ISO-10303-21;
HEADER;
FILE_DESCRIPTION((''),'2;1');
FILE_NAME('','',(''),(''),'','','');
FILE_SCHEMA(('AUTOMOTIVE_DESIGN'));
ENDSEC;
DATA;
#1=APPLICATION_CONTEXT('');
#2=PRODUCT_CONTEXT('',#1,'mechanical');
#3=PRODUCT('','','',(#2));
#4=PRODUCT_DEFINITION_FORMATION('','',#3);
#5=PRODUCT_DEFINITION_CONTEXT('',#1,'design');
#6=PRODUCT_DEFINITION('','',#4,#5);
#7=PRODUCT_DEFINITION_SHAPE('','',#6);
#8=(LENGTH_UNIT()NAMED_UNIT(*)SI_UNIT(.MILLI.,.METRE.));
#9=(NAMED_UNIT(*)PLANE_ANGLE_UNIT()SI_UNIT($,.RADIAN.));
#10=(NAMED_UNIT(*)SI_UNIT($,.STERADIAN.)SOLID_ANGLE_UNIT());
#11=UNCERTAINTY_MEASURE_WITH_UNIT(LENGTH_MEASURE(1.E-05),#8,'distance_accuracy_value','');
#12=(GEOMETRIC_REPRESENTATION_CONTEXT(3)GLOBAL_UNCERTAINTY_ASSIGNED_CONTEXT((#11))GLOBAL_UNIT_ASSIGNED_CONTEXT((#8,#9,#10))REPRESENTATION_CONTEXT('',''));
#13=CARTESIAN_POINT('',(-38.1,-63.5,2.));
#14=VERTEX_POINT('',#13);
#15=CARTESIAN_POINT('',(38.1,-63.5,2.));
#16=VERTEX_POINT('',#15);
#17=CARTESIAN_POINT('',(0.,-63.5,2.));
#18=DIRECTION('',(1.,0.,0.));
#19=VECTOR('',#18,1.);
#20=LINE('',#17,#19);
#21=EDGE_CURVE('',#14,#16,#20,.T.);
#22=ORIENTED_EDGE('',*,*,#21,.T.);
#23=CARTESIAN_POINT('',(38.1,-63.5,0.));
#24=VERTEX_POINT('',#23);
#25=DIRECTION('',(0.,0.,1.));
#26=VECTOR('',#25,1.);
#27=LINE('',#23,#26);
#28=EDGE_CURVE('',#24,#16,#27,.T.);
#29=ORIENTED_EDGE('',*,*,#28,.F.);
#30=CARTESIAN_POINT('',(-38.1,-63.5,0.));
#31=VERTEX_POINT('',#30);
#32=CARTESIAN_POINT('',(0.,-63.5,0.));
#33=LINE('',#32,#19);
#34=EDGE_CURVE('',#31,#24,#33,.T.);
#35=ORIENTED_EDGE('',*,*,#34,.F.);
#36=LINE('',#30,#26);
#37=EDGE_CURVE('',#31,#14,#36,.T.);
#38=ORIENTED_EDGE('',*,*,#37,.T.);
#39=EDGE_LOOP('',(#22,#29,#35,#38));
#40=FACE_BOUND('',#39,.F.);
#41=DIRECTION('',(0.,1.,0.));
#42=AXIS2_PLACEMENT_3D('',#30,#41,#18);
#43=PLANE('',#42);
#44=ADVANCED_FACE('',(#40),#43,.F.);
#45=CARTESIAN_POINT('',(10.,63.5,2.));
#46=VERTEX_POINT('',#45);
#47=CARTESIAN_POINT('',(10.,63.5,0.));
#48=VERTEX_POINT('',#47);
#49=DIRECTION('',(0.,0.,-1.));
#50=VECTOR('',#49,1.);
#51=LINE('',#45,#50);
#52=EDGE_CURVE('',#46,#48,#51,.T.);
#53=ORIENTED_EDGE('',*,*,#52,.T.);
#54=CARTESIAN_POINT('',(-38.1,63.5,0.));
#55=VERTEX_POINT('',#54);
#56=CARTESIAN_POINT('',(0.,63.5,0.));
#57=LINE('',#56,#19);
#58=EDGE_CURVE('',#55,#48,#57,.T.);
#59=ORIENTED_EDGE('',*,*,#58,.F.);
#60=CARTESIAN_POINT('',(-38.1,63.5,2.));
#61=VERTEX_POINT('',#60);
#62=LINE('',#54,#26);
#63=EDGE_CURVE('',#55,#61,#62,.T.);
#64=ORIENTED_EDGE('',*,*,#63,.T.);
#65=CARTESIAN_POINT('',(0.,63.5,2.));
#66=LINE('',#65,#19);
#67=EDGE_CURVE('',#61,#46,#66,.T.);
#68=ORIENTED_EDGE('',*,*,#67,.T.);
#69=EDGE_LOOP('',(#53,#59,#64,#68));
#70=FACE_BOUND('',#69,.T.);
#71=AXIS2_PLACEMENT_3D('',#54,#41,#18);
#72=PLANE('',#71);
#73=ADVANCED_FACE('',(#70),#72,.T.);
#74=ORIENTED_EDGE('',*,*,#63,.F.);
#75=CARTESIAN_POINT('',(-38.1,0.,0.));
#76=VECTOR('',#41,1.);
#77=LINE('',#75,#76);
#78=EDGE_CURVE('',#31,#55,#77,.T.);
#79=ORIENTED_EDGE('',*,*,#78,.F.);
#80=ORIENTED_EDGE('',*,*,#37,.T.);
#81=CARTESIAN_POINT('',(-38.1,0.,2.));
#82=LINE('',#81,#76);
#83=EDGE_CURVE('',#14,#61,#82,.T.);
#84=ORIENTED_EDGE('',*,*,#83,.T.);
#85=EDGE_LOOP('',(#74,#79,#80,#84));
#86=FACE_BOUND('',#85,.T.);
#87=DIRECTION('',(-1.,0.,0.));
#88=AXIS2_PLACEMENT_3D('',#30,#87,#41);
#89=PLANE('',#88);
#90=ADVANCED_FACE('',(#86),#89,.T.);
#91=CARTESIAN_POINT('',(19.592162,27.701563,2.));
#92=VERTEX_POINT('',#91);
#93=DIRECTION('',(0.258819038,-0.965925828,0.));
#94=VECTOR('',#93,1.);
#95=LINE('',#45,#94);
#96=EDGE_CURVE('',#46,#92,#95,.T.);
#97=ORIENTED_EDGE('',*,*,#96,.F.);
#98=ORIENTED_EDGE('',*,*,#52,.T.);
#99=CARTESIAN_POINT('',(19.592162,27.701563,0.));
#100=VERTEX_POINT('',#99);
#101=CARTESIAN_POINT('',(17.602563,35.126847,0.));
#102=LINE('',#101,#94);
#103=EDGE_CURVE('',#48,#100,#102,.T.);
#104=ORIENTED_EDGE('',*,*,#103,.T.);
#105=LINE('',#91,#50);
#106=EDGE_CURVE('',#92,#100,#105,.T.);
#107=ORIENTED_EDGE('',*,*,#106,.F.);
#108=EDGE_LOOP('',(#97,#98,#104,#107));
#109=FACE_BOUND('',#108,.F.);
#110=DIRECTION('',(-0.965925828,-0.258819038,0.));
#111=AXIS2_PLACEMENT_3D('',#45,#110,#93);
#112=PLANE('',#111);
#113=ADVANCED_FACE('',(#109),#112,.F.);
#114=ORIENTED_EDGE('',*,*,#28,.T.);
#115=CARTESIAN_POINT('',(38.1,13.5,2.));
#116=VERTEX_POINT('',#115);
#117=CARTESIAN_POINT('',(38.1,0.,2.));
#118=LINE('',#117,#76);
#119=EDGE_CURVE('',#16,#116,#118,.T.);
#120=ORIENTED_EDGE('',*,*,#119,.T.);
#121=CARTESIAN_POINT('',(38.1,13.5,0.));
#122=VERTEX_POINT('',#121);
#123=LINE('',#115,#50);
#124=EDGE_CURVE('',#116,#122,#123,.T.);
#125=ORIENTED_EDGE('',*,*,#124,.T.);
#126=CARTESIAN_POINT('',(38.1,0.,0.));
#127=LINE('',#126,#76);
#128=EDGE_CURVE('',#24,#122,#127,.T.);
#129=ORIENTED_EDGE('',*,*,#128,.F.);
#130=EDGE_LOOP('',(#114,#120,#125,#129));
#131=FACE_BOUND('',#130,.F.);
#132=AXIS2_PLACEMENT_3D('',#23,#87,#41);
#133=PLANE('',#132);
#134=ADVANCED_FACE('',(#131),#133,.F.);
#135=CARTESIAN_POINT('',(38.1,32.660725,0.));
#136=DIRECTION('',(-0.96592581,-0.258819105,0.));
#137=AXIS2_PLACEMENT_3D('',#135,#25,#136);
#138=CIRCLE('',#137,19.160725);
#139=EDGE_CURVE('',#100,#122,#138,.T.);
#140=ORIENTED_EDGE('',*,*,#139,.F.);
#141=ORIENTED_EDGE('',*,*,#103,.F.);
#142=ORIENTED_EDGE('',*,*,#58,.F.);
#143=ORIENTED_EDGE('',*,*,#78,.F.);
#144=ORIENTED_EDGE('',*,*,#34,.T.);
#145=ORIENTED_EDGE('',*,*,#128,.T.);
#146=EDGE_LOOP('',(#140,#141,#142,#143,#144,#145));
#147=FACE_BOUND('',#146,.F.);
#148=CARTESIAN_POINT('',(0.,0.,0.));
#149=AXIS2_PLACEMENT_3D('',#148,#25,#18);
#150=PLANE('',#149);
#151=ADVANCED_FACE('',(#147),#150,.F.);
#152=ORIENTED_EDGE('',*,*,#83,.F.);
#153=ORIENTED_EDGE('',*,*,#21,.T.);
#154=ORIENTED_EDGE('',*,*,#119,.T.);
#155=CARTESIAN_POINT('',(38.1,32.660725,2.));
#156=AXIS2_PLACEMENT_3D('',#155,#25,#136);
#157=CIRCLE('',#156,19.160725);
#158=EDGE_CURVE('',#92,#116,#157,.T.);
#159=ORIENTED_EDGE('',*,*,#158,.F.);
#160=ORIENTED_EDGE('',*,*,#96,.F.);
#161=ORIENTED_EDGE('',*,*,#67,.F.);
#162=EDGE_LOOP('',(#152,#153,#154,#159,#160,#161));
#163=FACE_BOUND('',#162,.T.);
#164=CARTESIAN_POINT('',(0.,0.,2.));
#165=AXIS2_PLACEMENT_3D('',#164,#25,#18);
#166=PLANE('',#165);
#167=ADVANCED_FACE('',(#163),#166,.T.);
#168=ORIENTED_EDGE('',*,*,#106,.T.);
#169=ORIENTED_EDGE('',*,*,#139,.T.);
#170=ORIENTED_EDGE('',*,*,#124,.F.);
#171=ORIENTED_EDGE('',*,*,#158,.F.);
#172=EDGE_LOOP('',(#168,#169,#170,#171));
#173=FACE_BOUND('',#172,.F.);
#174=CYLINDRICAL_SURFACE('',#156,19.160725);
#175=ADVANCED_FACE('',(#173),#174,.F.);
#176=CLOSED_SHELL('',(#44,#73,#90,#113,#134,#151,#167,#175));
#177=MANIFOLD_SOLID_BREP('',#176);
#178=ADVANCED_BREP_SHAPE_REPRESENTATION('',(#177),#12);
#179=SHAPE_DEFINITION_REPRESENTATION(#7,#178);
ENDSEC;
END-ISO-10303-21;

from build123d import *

# Parameters (mm, degrees)
F0_W     = 76.2
F0_H     = 127
F1_DEPTH = 2
F3_DEPTH = 25


with BuildPart() as f1:
    # F0 (on Top) → F1 (new body)
    with BuildSketch(Plane.XY):
        Rectangle(F0_W, F0_H)
    extrude(amount=F1_DEPTH)

    # F2 (on face) → F3 (cut)
    with BuildSketch(Plane.XY.offset(2)):
        with BuildLine():
            Line((38.1, 63.5), (10, 63.5))
            Line((10, 63.5), (19.592162, 27.701563))
            ThreePointArc((19.592162, 27.701563), (26.43569, 17.4595), (38.1, 13.5))
            Line((38.1, 13.5), (38.1, 63.5))
        make_face()
    extrude(amount=-F3_DEPTH, mode=Mode.SUBTRACT)


solid = f1.part
